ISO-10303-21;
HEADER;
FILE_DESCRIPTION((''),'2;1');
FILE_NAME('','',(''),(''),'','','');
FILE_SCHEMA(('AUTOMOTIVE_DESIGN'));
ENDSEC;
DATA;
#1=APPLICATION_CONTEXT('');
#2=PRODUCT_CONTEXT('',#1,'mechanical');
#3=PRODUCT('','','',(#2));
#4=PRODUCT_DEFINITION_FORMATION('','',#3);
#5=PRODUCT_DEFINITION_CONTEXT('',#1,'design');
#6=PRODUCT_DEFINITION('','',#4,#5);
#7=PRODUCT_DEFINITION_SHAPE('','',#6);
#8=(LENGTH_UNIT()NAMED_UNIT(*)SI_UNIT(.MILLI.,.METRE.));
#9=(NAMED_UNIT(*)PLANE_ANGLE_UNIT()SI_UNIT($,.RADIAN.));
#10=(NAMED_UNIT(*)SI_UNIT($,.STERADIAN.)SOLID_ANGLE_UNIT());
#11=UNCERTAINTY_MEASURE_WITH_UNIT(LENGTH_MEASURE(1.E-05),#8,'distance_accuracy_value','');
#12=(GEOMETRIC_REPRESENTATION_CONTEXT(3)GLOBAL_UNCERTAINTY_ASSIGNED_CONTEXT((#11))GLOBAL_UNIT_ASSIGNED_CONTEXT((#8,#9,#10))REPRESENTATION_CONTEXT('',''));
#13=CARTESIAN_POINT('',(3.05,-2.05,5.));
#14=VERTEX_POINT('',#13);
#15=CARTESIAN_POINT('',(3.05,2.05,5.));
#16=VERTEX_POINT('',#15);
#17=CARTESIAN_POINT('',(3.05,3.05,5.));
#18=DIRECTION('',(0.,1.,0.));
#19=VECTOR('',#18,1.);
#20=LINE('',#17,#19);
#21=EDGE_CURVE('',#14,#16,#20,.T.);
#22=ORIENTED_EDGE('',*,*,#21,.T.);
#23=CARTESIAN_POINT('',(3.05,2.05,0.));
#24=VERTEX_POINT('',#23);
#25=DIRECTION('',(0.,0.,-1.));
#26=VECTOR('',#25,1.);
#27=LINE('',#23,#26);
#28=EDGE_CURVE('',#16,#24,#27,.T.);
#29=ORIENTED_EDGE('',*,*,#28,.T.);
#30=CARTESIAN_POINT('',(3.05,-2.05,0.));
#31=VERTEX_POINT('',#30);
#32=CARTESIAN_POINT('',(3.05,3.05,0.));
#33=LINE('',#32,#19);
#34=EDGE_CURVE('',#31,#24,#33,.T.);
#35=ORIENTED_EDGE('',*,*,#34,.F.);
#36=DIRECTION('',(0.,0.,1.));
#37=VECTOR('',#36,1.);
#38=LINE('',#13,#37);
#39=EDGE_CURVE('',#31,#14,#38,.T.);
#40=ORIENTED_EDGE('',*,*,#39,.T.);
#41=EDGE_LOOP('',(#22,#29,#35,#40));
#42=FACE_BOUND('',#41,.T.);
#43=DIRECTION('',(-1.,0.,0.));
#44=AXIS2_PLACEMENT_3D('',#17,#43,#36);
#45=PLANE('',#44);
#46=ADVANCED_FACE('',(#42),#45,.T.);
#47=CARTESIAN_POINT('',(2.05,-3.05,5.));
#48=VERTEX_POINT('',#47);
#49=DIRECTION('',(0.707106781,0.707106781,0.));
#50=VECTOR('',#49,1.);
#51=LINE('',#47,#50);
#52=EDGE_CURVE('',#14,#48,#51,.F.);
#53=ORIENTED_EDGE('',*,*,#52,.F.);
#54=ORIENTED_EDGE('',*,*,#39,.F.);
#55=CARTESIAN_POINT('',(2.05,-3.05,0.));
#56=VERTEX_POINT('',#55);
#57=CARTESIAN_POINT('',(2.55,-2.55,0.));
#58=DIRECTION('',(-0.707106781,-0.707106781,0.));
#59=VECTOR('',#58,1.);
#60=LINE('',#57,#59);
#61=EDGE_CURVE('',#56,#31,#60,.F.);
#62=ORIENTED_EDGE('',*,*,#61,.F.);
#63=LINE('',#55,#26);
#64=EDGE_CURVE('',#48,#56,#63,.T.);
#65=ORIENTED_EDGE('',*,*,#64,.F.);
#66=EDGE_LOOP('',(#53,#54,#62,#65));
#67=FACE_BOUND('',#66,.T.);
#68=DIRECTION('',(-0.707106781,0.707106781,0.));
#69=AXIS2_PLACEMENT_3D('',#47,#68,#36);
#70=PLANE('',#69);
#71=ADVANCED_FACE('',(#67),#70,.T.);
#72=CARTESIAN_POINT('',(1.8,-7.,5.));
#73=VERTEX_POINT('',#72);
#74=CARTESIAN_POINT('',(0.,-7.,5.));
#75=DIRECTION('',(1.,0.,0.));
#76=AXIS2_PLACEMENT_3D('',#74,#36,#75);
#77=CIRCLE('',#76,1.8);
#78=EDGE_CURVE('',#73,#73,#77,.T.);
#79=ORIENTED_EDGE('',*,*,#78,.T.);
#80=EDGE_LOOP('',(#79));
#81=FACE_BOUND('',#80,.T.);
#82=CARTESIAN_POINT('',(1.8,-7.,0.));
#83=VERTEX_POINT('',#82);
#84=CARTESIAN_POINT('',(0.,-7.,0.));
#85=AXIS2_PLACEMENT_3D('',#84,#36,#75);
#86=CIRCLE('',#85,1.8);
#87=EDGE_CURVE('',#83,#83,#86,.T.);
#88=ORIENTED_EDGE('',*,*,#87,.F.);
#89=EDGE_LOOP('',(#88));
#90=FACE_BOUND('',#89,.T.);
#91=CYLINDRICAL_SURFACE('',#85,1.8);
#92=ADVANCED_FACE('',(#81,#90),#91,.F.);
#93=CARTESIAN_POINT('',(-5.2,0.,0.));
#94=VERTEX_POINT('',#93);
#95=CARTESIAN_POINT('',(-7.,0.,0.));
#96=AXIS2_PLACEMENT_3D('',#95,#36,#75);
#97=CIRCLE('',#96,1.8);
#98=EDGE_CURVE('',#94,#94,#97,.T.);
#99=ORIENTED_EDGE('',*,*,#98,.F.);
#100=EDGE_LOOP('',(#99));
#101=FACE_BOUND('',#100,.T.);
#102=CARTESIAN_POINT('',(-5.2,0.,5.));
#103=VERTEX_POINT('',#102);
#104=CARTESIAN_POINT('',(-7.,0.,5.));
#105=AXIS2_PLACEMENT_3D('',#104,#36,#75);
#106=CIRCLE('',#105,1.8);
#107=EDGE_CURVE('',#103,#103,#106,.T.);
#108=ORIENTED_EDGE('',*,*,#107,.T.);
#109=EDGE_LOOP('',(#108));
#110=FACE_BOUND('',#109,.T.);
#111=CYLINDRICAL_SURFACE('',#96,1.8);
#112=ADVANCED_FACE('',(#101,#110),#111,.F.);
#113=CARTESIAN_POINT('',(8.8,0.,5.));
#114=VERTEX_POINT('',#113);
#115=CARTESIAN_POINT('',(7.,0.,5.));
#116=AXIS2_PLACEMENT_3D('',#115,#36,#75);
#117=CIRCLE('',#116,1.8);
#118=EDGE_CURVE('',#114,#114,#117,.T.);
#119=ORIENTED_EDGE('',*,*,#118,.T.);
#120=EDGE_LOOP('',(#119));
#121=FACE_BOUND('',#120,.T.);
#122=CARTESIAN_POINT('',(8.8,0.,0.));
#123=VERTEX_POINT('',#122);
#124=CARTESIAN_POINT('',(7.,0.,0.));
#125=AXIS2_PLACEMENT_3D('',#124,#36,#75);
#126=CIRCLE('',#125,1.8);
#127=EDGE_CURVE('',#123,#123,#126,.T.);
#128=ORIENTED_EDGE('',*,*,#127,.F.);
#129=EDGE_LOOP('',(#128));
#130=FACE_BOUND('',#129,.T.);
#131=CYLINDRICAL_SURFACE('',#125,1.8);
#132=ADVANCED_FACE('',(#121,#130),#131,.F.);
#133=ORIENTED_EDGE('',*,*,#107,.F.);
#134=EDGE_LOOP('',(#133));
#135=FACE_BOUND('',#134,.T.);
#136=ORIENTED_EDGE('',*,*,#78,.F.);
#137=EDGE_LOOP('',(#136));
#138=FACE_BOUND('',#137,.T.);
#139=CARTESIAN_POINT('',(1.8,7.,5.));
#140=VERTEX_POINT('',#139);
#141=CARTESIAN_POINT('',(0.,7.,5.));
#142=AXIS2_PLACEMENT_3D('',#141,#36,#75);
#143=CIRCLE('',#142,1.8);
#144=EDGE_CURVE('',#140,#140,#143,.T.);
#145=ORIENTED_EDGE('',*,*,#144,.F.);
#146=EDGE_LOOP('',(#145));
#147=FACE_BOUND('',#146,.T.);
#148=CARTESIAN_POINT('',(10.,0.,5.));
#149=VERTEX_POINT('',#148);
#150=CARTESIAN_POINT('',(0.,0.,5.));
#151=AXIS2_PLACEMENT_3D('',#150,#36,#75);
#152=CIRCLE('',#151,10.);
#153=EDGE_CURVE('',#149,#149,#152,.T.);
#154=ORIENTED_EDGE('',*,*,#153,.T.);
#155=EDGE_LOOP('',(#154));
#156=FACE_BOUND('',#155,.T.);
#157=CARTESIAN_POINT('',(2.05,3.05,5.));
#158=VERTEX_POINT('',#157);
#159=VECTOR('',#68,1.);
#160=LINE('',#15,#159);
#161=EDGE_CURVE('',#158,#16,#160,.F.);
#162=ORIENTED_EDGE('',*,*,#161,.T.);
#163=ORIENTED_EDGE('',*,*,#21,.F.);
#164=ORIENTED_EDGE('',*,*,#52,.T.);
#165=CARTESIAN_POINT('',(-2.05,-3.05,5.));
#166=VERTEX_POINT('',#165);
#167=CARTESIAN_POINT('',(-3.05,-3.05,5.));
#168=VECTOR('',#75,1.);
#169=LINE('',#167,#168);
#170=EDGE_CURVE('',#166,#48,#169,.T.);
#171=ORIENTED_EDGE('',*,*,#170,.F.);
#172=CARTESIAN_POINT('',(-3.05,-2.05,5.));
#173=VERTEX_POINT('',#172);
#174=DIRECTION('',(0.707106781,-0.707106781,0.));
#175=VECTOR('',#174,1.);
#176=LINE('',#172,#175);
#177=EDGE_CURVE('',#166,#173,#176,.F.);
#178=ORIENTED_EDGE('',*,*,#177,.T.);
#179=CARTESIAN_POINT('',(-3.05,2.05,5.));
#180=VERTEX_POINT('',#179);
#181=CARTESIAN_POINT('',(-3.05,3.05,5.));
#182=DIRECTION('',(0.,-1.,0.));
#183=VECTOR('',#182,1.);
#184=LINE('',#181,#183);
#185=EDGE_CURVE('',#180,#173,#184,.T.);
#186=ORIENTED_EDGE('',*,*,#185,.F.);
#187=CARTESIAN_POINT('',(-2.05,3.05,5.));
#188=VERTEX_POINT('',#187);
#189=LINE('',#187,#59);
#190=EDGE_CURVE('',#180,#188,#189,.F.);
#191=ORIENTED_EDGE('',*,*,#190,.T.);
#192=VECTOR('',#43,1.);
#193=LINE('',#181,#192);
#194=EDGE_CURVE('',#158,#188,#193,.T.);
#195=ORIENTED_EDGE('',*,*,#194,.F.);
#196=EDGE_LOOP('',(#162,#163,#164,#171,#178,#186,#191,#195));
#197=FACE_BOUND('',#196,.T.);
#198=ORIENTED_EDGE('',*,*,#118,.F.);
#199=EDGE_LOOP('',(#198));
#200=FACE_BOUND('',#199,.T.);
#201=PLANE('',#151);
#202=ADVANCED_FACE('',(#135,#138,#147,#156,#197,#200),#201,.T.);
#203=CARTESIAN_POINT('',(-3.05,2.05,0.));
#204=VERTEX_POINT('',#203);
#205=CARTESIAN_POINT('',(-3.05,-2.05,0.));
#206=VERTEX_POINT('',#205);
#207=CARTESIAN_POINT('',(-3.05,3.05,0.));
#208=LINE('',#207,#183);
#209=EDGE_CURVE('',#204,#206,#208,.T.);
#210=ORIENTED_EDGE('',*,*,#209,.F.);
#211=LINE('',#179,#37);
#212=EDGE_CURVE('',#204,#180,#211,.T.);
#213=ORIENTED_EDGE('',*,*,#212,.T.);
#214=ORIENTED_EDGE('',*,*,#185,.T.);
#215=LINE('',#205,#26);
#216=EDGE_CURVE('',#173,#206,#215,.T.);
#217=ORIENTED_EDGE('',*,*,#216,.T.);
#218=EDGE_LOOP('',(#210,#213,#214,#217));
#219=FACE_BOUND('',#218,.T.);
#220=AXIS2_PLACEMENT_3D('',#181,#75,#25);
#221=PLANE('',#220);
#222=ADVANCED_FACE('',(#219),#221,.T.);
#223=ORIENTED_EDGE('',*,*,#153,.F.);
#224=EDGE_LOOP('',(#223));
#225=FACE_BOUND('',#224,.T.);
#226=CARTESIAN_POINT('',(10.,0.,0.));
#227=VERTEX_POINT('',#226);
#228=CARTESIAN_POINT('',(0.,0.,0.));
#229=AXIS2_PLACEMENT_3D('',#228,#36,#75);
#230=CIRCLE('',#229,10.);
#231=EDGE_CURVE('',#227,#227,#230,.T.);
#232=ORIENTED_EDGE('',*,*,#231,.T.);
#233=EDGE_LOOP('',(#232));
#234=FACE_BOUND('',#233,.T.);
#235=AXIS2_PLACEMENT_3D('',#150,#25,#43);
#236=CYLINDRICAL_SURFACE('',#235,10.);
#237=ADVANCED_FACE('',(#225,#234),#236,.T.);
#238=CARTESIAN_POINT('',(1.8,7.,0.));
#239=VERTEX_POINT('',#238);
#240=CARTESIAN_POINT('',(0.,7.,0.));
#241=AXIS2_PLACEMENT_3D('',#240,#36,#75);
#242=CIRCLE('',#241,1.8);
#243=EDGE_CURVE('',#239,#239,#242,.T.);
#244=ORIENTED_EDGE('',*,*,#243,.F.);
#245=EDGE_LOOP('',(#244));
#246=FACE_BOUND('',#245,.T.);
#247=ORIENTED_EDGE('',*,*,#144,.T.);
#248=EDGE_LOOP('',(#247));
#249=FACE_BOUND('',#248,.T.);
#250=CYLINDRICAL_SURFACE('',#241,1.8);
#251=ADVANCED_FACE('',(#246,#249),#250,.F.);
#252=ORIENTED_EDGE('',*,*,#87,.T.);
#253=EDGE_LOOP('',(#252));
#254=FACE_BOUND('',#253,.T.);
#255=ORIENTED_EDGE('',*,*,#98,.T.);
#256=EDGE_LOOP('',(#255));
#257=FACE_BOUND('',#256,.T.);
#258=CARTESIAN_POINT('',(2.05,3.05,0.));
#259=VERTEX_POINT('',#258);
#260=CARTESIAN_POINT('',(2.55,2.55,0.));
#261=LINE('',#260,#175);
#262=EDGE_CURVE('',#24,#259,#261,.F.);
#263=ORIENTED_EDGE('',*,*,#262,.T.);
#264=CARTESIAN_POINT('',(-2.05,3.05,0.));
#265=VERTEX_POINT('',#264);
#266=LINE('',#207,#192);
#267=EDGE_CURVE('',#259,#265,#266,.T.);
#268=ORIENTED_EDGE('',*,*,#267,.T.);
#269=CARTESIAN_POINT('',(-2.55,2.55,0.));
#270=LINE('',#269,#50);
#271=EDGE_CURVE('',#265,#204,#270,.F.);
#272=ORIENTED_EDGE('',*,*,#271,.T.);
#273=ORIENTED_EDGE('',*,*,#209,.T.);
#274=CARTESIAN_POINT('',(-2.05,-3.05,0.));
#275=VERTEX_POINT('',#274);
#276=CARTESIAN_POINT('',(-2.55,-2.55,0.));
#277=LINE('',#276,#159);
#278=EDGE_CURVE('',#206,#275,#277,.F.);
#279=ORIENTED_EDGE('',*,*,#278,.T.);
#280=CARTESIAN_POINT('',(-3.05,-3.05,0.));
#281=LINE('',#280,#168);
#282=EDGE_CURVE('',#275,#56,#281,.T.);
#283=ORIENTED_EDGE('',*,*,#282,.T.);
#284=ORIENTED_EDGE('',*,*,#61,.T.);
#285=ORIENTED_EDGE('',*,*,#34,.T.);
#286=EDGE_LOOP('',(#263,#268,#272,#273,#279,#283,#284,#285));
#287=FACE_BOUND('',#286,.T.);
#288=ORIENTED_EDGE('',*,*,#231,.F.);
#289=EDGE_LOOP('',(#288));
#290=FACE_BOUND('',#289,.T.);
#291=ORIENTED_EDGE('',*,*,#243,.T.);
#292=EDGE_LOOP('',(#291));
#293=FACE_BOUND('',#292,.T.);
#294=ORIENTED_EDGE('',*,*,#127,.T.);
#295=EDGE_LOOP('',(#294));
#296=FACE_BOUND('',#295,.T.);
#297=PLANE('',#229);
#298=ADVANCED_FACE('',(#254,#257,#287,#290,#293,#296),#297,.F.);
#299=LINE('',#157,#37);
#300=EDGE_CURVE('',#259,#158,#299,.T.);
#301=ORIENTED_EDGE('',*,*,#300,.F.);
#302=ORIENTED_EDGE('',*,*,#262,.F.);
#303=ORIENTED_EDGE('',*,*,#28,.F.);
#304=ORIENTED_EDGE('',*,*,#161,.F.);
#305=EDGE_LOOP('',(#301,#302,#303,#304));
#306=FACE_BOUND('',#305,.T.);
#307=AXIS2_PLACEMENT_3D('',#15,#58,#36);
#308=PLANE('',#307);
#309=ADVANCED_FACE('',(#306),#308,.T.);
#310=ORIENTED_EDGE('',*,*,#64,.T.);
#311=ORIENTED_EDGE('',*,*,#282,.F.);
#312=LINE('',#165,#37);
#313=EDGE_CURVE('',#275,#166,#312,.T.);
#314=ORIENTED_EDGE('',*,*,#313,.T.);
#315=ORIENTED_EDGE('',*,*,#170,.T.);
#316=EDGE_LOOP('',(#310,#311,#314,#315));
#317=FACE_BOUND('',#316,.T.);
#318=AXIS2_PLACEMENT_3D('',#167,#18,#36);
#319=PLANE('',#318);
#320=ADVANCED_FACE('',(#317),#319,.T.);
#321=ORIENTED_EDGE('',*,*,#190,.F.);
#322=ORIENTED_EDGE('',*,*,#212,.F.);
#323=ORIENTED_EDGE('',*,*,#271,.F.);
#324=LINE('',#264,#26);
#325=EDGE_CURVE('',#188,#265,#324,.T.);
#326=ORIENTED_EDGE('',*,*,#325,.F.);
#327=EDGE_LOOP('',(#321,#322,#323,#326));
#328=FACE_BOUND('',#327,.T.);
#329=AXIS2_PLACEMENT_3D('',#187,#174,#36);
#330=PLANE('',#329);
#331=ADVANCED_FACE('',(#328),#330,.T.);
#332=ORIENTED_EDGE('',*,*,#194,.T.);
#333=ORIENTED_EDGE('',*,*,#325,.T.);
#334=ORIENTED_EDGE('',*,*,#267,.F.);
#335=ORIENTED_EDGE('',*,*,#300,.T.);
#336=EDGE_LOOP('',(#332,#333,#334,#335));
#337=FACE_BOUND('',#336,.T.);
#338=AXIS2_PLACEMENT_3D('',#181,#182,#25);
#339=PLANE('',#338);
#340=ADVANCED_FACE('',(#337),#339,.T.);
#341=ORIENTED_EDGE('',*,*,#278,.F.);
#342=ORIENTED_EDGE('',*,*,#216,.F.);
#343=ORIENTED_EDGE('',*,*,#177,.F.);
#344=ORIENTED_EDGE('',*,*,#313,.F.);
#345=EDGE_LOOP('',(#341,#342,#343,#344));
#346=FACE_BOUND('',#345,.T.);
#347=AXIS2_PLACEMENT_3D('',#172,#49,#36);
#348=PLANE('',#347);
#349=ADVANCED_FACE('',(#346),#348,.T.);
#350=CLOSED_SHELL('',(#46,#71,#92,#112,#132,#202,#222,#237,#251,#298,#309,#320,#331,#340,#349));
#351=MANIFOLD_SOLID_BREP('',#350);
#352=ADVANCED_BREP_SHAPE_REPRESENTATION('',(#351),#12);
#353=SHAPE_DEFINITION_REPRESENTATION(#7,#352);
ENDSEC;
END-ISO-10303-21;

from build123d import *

# Parameters (mm, degrees)
ESQUISSE1_R                  = 10
ESQUISSE1_W                  = 6.1
ESQUISSE1_H                  = 6.1
BOSS_EXTRU_1_DEPTH           = 5
ESQUISSE2_R                  = 1.8
ENL_V_MAT_EXTRU_1_DEPTH      = 1
ENL_V_MAT_EXTRU_1_DEPTH_BACK = 6
CHANFREIN1_SIZE              = 1


with BuildPart() as part:
    # Esquisse1 → Boss.-Extru.1 (new body)
    with BuildSketch(Plane.XY):
        Circle(ESQUISSE1_R)
        Rectangle(ESQUISSE1_W, ESQUISSE1_H, mode=Mode.SUBTRACT)
    extrude(amount=BOSS_EXTRU_1_DEPTH)

    # Esquisse2 → Enlèv. mat.-Extru.1 (cut, two sides)
    with BuildSketch(Plane.XY.offset(5)) as enl_v_mat_extru_1_sk:
        with Locations((0, 7)):
            Circle(ESQUISSE2_R)
        with Locations((7, 0)):
            Circle(ESQUISSE2_R)
        with Locations((0, -7)):
            Circle(ESQUISSE2_R)
        with Locations((-7, 0)):
            Circle(ESQUISSE2_R)
    extrude(amount=ENL_V_MAT_EXTRU_1_DEPTH, mode=Mode.SUBTRACT)
    extrude(enl_v_mat_extru_1_sk.sketch, amount=-ENL_V_MAT_EXTRU_1_DEPTH_BACK, mode=Mode.SUBTRACT)

    # Chanfrein1
    chanfrein1_edges = [part.edges().sort_by_distance(p)[0] for p in [
        (3.05, -3.05, 2.5),
        (3.05, 3.05, 2.5),
        (-3.05, 3.05, 2.5),
        (-3.05, -3.05, 2.5),
    ]]
    chamfer(chanfrein1_edges, length=CHANFREIN1_SIZE)


solid = part.part
